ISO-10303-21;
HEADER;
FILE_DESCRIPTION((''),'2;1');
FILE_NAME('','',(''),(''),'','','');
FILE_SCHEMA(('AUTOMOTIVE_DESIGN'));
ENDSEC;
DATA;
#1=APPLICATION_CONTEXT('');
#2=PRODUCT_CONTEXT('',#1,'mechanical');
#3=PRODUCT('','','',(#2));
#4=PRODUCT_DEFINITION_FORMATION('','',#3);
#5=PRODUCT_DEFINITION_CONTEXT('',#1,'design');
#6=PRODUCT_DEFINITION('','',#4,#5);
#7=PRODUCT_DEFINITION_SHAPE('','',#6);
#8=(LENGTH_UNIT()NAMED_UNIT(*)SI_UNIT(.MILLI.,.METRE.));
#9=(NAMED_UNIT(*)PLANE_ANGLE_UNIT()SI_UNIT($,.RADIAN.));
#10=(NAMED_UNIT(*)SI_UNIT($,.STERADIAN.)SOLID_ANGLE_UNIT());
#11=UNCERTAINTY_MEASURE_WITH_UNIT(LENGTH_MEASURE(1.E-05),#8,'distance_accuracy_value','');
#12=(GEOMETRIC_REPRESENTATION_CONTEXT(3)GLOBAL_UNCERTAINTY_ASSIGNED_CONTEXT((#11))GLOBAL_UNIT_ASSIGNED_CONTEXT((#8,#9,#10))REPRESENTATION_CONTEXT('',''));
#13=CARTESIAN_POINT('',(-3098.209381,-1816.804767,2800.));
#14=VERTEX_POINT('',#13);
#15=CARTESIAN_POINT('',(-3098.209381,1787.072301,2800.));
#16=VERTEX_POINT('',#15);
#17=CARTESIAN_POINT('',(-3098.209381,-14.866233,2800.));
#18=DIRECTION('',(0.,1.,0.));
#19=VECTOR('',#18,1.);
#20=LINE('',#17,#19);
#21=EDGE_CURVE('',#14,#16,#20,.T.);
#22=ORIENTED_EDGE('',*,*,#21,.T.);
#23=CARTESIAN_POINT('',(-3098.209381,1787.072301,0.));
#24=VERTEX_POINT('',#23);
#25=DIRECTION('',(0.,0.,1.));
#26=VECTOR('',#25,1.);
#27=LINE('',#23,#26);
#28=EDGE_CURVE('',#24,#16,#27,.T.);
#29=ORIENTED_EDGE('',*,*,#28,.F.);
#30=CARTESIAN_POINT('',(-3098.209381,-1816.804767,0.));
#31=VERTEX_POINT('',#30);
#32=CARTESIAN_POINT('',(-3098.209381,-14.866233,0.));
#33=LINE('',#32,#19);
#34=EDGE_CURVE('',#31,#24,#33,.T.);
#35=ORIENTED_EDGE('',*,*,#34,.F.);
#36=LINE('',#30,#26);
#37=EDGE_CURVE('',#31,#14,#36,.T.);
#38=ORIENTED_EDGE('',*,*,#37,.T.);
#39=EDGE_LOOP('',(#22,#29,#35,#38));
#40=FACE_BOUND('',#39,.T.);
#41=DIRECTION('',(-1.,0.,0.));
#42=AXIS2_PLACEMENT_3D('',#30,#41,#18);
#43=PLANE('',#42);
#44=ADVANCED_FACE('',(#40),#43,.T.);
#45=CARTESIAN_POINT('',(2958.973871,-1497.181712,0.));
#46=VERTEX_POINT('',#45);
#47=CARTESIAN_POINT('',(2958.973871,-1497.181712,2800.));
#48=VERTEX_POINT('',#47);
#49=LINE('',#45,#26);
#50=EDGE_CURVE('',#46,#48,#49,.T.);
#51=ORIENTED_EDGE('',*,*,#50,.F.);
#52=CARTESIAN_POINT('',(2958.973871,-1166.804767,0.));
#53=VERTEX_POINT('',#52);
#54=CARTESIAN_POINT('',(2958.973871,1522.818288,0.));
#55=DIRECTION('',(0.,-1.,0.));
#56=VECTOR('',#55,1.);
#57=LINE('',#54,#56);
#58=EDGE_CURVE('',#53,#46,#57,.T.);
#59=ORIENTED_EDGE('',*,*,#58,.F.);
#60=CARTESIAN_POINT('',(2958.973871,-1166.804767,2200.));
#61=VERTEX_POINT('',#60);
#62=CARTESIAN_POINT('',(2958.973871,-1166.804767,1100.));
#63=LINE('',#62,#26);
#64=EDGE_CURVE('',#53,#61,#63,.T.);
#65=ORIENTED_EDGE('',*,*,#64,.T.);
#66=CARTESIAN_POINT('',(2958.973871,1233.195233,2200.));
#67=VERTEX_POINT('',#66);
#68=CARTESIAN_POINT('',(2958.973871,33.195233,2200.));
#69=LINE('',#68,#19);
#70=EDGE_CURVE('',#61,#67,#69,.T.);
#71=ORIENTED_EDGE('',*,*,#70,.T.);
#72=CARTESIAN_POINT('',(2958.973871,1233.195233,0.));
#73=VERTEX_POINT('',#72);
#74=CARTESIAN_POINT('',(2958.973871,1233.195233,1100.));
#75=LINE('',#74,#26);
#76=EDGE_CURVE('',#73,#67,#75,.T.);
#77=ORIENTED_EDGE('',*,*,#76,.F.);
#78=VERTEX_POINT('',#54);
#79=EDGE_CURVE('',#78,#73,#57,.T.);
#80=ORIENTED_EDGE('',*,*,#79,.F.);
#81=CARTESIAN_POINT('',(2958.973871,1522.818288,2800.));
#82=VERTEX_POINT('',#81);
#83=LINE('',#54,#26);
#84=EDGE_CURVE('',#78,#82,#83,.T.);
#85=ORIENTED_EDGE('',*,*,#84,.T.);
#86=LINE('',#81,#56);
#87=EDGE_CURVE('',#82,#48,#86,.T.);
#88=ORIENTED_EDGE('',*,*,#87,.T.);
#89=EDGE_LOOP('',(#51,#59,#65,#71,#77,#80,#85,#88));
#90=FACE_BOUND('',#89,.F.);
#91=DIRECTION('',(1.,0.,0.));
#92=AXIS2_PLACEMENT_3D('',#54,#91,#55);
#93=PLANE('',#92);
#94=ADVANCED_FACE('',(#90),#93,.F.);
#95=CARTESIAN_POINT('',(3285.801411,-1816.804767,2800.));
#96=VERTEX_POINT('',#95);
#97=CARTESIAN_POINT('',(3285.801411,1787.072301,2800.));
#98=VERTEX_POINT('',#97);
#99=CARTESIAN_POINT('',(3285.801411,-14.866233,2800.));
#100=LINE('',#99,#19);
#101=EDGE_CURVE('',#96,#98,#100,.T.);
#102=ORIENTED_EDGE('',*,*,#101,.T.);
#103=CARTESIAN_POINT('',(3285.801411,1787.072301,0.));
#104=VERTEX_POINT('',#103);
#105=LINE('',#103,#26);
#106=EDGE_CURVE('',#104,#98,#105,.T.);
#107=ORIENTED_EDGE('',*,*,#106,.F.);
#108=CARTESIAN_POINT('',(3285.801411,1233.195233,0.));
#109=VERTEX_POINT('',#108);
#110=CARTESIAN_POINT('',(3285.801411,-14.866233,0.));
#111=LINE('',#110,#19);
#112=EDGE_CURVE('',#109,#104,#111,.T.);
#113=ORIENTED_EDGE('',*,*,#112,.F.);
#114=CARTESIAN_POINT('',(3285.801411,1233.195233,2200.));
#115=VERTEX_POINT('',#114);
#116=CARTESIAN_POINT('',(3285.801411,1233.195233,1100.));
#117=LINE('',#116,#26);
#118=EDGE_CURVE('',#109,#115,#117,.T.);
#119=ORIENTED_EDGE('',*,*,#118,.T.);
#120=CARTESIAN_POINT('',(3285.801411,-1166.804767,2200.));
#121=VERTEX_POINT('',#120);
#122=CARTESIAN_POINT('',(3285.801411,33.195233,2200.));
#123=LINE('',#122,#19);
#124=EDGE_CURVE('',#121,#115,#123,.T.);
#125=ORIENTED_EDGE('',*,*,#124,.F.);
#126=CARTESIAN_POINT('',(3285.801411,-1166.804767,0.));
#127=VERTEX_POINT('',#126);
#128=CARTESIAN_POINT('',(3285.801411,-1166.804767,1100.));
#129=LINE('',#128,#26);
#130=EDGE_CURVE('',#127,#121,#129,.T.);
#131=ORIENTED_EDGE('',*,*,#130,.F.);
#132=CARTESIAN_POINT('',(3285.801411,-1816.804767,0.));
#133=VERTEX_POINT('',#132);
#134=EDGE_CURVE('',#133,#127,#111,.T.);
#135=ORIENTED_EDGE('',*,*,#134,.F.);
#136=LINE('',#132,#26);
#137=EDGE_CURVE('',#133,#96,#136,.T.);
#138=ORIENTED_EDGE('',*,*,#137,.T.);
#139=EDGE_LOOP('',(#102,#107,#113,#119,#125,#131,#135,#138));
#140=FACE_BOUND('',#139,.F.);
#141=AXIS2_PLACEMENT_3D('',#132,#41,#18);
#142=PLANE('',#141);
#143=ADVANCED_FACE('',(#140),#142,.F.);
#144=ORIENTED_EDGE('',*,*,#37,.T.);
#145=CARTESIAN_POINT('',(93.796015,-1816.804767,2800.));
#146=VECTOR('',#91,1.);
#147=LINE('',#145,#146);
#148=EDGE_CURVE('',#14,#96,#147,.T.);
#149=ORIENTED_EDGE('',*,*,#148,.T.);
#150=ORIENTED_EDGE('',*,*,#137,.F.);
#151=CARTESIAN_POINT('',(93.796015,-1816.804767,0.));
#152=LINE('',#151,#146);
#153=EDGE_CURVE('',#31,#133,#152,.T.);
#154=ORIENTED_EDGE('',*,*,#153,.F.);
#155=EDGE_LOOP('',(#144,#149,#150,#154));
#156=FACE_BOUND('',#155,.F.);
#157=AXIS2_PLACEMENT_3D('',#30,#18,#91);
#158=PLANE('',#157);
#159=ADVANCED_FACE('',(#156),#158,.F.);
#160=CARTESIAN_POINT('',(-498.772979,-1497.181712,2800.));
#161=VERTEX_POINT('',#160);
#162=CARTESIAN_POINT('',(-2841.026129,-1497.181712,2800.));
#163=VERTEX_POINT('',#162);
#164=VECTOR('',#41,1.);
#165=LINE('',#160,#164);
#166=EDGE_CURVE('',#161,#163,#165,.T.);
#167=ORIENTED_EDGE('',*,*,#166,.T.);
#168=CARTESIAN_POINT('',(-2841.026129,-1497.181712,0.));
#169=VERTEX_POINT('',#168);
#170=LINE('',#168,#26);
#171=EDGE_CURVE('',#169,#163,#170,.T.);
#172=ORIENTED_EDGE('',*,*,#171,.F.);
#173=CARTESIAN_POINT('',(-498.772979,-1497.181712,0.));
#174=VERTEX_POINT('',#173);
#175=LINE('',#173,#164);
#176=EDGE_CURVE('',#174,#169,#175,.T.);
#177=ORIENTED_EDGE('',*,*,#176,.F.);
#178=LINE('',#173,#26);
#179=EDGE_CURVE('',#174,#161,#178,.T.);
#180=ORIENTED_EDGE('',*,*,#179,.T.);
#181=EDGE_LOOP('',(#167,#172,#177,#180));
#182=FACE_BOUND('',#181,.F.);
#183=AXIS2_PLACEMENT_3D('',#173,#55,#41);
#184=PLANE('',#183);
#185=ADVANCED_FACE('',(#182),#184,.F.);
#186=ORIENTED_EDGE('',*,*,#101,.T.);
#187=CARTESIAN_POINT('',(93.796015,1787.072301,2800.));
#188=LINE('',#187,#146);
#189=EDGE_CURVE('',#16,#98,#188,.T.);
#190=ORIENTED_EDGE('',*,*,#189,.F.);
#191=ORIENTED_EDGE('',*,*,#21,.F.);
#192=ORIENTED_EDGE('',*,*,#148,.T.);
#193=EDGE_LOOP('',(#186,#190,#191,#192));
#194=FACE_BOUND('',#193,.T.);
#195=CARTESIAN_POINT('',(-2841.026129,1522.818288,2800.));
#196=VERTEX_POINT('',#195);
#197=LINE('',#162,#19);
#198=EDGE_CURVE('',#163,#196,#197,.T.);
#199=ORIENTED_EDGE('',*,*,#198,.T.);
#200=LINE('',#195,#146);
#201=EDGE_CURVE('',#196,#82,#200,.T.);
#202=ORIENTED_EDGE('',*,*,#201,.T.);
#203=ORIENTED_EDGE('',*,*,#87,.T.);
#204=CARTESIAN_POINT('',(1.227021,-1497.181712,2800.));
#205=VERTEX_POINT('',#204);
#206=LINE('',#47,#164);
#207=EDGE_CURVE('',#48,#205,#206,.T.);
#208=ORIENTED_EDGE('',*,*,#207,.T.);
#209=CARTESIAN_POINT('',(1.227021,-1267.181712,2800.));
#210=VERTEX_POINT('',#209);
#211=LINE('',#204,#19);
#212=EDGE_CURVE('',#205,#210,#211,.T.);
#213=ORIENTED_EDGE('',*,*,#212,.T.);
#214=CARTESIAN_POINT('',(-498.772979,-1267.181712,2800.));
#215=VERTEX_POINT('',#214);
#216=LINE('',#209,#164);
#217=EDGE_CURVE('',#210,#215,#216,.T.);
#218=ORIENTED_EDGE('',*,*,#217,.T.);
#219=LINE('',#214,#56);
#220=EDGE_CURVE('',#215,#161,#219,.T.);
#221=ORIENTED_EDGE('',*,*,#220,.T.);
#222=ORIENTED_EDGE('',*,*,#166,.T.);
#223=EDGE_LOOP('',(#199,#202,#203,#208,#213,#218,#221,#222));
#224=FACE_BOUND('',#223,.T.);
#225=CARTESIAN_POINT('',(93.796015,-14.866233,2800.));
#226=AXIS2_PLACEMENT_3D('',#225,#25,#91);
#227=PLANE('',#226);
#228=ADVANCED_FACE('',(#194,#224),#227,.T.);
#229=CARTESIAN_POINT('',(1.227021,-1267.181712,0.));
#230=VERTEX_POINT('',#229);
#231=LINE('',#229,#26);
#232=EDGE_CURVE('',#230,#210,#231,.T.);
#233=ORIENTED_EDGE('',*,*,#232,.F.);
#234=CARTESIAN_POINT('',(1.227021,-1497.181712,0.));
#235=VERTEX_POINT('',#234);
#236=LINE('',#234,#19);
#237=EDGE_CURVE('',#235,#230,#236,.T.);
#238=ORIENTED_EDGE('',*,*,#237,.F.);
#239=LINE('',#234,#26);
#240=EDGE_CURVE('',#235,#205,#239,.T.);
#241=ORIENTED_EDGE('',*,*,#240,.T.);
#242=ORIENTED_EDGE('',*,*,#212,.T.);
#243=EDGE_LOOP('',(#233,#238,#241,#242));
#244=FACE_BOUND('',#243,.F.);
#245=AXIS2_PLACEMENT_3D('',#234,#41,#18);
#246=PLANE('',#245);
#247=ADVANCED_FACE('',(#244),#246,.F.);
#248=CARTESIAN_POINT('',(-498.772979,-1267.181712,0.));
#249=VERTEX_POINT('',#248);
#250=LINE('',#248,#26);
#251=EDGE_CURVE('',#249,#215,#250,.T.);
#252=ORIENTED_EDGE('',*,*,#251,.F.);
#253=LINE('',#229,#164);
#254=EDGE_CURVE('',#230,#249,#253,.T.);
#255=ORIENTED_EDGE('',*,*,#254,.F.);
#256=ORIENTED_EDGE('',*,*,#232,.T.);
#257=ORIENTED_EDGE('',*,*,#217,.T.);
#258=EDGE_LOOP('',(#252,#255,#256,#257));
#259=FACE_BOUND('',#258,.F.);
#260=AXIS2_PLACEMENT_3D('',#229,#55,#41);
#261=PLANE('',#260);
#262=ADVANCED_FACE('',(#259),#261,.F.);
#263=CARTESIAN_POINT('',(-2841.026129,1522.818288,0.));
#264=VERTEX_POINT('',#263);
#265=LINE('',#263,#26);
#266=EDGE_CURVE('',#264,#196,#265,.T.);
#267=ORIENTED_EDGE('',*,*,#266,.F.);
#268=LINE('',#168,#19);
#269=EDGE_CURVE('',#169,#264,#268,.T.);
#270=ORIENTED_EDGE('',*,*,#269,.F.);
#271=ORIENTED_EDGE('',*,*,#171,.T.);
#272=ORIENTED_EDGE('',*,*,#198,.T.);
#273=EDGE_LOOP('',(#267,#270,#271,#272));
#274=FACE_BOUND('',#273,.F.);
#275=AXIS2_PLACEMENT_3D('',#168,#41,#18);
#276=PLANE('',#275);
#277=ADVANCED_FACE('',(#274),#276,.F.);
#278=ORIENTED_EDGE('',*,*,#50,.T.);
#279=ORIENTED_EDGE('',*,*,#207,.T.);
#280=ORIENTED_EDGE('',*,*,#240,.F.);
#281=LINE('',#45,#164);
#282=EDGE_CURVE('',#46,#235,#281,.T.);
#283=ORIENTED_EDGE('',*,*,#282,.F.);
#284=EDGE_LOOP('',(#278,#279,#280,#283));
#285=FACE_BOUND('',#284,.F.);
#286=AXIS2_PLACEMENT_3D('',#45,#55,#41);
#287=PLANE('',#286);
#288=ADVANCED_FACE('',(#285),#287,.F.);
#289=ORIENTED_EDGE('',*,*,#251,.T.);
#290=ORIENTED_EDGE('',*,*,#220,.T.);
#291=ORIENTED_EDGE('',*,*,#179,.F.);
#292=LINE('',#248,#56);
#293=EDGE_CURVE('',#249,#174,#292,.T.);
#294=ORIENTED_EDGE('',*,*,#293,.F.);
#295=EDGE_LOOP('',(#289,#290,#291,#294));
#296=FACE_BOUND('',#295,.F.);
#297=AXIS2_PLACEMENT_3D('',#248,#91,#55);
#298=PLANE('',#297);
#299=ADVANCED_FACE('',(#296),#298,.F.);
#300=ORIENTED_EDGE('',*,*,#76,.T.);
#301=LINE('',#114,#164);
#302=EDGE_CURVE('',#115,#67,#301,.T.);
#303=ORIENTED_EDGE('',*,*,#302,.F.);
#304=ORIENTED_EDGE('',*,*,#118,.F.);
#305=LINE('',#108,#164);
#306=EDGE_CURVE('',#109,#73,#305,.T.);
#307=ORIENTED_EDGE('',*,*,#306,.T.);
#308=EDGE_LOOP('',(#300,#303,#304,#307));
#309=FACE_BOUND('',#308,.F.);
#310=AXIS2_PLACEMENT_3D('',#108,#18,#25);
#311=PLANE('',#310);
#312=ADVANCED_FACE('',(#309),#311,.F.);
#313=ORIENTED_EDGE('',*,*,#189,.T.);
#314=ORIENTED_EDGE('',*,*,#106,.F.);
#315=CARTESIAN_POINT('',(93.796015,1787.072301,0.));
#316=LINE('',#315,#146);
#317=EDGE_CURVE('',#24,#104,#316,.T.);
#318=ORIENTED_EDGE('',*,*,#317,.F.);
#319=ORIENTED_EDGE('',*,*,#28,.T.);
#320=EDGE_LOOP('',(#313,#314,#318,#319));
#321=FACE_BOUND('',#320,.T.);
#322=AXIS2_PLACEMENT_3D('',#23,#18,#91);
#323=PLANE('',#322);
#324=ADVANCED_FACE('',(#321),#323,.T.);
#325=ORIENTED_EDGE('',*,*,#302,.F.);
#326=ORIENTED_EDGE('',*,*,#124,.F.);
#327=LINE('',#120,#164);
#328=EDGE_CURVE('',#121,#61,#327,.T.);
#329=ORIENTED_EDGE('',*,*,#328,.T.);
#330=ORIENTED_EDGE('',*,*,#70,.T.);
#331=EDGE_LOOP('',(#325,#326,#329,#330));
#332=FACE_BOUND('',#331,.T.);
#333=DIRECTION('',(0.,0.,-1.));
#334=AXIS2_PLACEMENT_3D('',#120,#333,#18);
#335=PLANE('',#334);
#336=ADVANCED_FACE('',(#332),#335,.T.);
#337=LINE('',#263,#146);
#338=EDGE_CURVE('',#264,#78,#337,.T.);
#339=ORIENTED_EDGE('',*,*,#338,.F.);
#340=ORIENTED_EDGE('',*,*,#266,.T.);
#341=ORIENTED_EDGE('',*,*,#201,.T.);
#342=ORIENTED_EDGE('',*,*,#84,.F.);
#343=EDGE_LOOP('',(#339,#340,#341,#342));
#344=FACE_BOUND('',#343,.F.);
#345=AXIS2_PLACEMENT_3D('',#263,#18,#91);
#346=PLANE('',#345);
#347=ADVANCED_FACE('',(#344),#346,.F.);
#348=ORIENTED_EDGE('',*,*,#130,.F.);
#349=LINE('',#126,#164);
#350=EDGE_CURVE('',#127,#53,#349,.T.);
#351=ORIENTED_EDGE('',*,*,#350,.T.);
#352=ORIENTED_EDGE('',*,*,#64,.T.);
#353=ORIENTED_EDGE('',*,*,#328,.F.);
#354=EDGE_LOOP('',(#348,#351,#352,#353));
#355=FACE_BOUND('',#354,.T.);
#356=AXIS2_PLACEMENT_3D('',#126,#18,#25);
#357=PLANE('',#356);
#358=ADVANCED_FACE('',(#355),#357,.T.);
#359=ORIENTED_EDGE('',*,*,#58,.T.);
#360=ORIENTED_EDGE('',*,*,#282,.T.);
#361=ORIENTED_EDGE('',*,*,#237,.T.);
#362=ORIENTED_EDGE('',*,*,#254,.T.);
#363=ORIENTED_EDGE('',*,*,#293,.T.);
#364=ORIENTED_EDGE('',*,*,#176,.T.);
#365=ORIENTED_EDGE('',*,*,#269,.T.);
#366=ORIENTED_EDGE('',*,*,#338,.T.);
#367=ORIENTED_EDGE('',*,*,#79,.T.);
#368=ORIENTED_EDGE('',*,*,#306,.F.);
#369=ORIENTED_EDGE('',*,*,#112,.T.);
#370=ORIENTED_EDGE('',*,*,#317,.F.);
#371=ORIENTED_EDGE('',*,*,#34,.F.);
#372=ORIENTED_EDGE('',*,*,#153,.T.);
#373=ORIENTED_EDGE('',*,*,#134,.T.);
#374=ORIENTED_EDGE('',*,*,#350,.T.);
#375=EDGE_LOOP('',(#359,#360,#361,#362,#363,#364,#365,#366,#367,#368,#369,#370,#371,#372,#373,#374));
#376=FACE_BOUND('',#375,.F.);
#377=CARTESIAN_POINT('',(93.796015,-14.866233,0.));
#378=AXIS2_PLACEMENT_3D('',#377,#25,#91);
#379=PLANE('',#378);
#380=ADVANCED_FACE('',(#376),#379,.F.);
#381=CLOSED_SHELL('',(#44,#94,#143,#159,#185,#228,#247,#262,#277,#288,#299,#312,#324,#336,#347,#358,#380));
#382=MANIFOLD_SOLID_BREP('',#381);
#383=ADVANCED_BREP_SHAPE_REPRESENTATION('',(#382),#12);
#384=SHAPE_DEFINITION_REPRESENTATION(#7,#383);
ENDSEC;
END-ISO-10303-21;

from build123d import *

# Parameters (mm, degrees)
F0_W     = 6384.0107917786
F0_H     = 3603.8770675659
F1_DEPTH = 2800
F2_W     = 2400
F2_H     = 2200
F3_DEPTH = 326.8275394628


with BuildPart() as f1:
    # F0 (on Top) → F1 (new body)
    with BuildSketch(Plane.XY):
        with Locations((93.7960147858, -14.866232872)):
            Rectangle(F0_W, F0_H)
        Polygon((-498.7729787827, -1497.181711942), (-2841.0261287877, -1497.181711942), (-2841.0261287877, 1522.818288058), (2958.9738712123, 1522.818288058), (2958.9738712123, -1497.181711942), (1.2270212173, -1497.181711942), (1.2270212173, -1267.181711942), (-498.7729787827, -1267.181711942), align=None, mode=Mode.SUBTRACT)
    extrude(amount=F1_DEPTH)

    # F2 (on face) → F3 (cut, through all)
    with BuildSketch(Plane.YZ.offset(3285.801410675)):
        with Locations((33.195233345, 1100)):
            Rectangle(F2_W, F2_H)
    extrude(amount=-F3_DEPTH, mode=Mode.SUBTRACT)


solid = f1.part
